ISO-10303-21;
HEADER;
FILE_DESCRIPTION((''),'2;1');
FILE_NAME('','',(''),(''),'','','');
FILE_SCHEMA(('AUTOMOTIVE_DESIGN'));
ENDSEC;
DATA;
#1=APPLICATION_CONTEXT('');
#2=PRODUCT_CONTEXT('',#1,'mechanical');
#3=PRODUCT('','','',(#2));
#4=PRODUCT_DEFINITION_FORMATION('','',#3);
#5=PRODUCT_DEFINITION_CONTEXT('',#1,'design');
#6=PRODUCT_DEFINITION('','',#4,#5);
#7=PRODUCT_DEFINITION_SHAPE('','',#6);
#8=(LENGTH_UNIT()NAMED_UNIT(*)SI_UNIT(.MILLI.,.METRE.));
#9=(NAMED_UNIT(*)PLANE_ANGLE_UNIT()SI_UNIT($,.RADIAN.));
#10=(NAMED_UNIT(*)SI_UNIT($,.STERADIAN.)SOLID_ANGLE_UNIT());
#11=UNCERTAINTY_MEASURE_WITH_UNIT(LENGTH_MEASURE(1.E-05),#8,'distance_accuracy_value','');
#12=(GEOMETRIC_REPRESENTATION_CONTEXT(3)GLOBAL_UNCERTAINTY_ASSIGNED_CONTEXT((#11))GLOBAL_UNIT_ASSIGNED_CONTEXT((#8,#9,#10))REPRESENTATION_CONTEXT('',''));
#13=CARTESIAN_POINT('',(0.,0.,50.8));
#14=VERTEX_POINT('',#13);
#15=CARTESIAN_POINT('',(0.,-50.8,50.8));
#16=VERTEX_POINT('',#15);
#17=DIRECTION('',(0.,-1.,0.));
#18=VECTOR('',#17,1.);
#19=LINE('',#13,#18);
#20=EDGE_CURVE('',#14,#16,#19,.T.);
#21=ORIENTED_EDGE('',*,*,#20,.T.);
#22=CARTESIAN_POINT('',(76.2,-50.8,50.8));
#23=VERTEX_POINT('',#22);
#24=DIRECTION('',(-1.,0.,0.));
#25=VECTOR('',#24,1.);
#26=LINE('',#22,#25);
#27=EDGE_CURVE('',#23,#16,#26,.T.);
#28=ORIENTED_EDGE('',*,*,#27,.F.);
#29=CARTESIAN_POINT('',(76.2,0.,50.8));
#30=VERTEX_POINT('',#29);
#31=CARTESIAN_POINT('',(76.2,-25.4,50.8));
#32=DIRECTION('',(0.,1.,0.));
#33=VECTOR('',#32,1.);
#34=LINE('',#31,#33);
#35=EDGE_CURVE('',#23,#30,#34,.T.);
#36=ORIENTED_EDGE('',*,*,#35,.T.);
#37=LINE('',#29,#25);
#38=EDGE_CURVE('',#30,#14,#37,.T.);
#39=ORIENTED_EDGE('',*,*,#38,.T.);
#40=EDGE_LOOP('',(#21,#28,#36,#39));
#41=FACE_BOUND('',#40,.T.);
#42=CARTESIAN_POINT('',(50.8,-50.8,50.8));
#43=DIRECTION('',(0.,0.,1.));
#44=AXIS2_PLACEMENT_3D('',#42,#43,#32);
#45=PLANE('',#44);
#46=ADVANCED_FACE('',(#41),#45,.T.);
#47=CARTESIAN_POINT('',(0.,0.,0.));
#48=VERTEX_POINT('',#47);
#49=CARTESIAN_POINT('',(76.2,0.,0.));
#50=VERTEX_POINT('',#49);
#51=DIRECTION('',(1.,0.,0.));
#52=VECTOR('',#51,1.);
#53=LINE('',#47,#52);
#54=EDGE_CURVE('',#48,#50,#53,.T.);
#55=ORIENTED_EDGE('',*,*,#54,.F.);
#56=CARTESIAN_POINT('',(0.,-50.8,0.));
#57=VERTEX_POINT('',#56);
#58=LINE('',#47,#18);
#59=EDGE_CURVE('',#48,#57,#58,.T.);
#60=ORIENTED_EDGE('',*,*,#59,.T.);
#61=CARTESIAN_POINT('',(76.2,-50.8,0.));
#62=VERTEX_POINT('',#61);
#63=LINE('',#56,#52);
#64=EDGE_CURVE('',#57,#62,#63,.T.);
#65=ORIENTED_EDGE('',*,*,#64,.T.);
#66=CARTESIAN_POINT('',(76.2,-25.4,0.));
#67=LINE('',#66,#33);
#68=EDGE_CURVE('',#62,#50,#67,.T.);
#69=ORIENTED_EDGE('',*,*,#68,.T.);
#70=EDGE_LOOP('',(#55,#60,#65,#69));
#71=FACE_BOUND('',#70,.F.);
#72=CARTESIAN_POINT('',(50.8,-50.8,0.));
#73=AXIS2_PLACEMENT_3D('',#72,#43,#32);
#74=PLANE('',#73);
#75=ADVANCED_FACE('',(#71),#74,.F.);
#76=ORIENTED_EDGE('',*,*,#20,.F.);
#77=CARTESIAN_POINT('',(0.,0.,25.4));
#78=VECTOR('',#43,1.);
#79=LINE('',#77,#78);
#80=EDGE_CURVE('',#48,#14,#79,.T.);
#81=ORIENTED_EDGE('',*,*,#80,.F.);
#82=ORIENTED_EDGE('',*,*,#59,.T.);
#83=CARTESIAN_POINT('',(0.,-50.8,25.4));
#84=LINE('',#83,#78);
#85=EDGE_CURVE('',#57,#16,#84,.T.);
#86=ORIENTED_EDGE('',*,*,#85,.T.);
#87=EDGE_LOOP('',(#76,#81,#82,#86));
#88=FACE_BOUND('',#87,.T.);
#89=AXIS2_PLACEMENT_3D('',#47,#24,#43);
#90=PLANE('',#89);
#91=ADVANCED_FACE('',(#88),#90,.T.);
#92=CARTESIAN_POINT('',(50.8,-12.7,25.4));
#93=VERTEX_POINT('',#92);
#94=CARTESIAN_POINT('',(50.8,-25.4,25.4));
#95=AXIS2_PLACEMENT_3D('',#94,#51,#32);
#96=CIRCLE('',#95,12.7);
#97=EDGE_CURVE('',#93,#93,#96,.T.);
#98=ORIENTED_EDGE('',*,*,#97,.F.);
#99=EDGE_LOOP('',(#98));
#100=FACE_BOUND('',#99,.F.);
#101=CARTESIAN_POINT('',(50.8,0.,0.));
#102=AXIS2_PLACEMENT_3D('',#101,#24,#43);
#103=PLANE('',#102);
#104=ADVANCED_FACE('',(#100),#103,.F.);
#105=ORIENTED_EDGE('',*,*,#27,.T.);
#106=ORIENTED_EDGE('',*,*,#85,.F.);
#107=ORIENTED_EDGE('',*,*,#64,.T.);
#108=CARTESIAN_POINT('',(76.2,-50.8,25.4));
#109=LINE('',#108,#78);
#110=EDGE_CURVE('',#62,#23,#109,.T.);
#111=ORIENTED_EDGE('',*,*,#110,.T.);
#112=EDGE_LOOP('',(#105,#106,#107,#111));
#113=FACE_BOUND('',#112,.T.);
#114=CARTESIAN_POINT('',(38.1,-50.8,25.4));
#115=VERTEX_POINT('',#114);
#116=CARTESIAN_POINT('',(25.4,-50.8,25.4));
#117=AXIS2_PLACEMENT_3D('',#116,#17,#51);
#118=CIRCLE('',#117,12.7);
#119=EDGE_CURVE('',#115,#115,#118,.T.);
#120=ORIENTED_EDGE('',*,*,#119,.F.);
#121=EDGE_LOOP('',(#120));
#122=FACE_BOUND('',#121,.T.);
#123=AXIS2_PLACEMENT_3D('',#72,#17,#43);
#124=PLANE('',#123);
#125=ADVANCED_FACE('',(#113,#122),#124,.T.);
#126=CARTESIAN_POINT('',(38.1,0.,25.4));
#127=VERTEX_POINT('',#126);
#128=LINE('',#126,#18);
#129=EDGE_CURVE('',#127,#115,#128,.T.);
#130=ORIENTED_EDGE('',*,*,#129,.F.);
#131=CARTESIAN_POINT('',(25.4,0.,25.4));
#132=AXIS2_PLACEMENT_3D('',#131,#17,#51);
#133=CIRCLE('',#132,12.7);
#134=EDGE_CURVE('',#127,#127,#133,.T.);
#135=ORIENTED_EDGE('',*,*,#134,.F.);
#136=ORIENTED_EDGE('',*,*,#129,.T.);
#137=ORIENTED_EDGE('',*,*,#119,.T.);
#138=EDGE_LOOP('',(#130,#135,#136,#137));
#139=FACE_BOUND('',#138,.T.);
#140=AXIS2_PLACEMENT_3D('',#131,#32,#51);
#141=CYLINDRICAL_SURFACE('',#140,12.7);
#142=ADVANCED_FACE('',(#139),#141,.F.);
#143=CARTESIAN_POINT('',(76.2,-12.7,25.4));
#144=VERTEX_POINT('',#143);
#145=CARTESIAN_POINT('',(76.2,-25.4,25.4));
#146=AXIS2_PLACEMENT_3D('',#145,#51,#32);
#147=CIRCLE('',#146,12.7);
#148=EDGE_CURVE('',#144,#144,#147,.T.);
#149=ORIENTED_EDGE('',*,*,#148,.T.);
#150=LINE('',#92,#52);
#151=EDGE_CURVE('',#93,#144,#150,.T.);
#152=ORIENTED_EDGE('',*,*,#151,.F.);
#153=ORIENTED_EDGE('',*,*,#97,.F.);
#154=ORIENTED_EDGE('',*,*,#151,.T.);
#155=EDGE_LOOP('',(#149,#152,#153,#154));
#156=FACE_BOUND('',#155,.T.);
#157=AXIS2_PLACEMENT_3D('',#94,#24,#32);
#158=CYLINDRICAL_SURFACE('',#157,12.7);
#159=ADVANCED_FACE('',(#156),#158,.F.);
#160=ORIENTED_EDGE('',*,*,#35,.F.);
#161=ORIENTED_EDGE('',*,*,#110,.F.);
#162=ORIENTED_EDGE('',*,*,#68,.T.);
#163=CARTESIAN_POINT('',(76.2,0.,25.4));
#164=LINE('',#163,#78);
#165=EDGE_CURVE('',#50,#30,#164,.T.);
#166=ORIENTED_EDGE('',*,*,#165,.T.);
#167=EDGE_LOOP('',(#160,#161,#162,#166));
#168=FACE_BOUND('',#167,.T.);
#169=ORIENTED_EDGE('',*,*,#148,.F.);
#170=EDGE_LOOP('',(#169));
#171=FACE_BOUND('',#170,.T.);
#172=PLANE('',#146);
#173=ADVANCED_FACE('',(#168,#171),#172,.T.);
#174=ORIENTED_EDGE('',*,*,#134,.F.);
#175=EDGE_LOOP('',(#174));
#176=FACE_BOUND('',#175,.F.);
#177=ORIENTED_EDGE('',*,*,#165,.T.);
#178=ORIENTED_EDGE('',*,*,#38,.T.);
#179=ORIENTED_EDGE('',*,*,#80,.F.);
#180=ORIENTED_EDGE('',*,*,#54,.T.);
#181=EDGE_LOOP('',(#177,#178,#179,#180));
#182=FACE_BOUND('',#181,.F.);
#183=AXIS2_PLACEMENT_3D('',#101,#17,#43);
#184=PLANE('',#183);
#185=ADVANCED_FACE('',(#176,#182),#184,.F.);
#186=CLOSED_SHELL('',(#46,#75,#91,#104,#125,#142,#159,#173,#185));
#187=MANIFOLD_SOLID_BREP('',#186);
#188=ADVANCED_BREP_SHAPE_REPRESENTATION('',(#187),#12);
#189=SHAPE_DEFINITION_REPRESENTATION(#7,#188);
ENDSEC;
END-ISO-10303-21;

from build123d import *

# Parameters (mm, degrees)
F0_W     = 50.8
F0_H     = 50.8
F0_R     = 12.7
F1_DEPTH = 50.8
F2_W     = 50.8
F2_H     = 50.8
F2_R     = 12.7
F3_DEPTH = 25.4


with BuildPart() as f1:
    # F0 (on Front) → F1 (new body)
    with BuildSketch(Plane.XZ):
        with Locations((25.4, 25.4)):
            Rectangle(F0_W, F0_H)
        with Locations((25.4, 25.4)):
            Circle(F0_R, mode=Mode.SUBTRACT)
    extrude(amount=F1_DEPTH)

    # F2 (on face) → F3 (join)
    with BuildSketch(Plane.YZ.offset(50.8)):
        with Locations((-25.4, 25.4)):
            Rectangle(F2_W, F2_H)
        with Locations((-25.4, 25.4)):
            Circle(F2_R, mode=Mode.SUBTRACT)
    extrude(amount=F3_DEPTH)


solid = f1.part
